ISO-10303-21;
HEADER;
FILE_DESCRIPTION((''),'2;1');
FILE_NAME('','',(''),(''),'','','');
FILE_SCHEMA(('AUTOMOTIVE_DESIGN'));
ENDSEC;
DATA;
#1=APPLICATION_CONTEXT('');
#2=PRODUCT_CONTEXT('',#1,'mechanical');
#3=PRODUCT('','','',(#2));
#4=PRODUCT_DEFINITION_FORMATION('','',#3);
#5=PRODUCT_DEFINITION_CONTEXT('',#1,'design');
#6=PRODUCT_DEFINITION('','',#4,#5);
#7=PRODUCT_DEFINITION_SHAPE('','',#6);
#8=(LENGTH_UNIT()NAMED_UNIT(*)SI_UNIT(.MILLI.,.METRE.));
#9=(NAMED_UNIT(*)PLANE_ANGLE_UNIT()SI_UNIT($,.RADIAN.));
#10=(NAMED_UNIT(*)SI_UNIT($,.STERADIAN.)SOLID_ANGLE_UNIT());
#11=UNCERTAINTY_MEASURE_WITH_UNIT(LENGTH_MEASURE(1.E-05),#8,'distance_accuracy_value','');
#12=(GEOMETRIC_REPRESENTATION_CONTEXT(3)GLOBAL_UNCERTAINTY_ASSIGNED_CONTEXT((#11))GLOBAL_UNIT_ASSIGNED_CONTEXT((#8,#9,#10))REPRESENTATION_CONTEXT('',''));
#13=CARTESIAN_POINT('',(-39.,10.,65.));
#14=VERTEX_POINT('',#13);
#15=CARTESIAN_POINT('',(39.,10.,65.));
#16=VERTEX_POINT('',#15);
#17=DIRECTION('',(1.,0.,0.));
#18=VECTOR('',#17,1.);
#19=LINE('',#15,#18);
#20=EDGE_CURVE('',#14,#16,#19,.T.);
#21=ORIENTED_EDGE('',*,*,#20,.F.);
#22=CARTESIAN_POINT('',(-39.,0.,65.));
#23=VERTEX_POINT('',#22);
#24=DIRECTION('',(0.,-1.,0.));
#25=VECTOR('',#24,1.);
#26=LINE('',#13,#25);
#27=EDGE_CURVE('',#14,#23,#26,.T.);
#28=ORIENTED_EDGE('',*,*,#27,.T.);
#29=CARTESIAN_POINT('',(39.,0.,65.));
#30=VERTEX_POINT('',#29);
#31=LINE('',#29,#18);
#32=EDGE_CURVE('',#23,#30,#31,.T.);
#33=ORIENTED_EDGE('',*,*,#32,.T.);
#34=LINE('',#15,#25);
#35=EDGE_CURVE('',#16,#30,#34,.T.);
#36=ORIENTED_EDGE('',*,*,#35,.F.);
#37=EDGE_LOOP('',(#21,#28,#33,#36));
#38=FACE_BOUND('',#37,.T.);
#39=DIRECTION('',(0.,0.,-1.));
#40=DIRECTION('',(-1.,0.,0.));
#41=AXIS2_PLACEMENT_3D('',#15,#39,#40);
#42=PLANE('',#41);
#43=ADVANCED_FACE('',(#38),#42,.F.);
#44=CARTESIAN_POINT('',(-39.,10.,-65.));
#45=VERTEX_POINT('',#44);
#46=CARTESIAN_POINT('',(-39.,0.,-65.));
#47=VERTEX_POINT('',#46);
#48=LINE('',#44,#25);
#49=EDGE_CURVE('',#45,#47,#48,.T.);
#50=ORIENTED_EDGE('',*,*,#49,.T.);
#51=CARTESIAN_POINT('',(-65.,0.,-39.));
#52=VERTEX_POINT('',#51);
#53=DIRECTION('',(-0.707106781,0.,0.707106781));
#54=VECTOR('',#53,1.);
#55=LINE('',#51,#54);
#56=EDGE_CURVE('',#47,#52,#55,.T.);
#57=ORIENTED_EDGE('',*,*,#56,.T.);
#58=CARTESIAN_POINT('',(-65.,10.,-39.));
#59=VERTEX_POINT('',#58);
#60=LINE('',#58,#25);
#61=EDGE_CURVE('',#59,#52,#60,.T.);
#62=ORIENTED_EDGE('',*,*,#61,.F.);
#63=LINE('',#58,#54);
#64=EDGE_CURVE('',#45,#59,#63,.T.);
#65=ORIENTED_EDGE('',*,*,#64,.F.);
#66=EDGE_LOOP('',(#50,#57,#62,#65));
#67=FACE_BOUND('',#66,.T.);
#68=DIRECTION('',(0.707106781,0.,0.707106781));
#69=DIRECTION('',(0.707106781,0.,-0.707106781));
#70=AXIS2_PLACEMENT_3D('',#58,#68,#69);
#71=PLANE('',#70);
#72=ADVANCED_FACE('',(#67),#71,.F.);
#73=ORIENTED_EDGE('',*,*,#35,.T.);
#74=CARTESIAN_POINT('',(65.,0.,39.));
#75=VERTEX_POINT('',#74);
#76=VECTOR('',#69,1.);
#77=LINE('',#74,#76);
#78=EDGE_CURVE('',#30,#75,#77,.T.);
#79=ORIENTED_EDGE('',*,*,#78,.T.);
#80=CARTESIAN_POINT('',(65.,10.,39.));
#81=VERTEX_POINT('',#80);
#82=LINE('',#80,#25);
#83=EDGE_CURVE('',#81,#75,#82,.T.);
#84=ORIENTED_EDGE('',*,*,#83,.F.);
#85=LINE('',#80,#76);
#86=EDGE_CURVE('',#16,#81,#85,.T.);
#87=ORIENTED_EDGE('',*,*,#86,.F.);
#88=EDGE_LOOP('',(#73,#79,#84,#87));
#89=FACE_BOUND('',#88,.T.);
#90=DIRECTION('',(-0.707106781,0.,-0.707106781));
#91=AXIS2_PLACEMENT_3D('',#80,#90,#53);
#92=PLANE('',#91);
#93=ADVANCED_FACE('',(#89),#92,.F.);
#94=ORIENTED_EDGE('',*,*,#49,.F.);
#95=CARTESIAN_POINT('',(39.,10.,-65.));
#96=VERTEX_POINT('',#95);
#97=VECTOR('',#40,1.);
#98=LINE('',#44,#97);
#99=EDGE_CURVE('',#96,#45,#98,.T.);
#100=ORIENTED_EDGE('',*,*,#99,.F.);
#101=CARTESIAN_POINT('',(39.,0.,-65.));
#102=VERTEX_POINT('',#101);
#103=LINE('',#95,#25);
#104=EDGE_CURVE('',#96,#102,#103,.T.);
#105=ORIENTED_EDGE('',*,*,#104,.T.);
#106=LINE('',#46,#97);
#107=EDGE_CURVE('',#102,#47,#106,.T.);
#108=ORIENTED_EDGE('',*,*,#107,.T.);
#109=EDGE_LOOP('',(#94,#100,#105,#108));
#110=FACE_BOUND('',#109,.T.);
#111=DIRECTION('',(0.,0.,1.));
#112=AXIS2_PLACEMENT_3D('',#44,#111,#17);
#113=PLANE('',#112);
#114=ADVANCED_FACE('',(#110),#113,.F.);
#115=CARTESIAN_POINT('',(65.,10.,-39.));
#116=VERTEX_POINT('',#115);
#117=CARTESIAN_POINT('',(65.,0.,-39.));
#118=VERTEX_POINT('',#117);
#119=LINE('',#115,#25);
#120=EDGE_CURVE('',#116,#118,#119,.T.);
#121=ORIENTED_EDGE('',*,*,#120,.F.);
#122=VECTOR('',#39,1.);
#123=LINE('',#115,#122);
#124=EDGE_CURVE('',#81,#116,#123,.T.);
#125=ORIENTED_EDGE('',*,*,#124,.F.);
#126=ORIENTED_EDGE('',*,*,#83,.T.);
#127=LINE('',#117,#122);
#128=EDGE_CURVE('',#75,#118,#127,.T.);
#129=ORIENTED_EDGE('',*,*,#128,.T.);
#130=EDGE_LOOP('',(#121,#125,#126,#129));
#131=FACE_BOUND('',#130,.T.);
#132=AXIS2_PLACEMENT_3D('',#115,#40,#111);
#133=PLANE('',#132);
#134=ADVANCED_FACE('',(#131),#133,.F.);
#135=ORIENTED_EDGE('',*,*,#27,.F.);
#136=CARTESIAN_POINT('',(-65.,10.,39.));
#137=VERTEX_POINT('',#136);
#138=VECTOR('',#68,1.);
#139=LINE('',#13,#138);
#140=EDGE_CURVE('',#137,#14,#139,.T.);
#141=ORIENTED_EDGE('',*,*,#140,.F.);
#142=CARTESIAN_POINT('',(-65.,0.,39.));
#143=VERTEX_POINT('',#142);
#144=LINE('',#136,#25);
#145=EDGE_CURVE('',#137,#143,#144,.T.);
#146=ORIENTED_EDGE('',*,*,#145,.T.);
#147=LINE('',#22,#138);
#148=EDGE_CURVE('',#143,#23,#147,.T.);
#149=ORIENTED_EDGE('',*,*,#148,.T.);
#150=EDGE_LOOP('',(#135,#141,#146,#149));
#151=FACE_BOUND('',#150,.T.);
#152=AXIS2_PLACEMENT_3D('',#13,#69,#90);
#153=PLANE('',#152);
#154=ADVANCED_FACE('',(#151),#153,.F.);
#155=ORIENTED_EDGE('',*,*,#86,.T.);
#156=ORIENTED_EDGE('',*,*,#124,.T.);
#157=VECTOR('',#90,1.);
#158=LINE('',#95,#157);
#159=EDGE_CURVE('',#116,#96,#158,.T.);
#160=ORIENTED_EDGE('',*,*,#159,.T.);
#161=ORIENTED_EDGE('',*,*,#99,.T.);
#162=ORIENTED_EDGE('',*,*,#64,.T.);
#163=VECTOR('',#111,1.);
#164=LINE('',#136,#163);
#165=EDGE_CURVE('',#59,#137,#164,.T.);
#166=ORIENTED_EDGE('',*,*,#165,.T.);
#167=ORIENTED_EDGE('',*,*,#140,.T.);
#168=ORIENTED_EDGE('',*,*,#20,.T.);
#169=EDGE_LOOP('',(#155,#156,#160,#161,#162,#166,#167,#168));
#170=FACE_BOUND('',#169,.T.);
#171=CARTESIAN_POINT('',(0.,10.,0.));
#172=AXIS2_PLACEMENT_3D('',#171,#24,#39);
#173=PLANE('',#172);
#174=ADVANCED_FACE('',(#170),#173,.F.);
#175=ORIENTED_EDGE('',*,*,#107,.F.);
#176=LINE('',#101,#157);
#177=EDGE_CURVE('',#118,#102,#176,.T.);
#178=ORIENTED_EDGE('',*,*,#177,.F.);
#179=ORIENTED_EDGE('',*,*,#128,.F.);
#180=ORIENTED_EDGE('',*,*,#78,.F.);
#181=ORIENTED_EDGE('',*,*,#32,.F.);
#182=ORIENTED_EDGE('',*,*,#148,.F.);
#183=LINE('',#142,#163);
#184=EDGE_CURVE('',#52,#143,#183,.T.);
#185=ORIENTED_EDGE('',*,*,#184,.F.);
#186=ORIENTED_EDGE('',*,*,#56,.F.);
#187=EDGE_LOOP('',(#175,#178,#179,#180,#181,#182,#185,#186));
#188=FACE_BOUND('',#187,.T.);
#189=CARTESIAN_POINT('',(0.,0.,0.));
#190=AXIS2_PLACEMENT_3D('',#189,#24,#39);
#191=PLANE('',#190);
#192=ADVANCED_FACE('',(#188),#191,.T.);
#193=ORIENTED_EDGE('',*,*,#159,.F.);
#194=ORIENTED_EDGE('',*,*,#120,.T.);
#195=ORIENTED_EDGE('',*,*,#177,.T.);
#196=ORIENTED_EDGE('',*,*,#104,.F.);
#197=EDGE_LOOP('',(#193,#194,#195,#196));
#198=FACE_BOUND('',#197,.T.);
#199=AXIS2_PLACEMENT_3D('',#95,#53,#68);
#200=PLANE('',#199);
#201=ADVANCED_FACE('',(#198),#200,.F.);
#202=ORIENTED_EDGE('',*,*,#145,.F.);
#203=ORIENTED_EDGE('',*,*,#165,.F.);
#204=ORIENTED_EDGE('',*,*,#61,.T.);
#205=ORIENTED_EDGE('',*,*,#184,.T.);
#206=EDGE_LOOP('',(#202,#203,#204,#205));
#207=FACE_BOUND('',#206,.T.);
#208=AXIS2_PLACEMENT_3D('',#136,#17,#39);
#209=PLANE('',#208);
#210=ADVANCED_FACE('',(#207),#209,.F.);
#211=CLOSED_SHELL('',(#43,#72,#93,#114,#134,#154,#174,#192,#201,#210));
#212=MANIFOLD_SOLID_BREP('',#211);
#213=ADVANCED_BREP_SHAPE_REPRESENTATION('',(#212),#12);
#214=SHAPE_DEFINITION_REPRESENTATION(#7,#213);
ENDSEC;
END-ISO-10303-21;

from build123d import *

# Parameters (mm, degrees)
BOSS_EXTRUDE1_DEPTH = 10


with BuildPart() as part:
    # Sketch1 → Boss-Extrude1 (new body)
    with BuildSketch(Plane(origin=(0, 0, 0), x_dir=(1, 0, 0), z_dir=(0, 1, 0))):
        Polygon((-65, 39), (-39, 65), (39, 65), (65, 39), (65, -39), (39, -65), (-39, -65), (-65, -39), align=None)
    extrude(amount=BOSS_EXTRUDE1_DEPTH)


solid = part.part
